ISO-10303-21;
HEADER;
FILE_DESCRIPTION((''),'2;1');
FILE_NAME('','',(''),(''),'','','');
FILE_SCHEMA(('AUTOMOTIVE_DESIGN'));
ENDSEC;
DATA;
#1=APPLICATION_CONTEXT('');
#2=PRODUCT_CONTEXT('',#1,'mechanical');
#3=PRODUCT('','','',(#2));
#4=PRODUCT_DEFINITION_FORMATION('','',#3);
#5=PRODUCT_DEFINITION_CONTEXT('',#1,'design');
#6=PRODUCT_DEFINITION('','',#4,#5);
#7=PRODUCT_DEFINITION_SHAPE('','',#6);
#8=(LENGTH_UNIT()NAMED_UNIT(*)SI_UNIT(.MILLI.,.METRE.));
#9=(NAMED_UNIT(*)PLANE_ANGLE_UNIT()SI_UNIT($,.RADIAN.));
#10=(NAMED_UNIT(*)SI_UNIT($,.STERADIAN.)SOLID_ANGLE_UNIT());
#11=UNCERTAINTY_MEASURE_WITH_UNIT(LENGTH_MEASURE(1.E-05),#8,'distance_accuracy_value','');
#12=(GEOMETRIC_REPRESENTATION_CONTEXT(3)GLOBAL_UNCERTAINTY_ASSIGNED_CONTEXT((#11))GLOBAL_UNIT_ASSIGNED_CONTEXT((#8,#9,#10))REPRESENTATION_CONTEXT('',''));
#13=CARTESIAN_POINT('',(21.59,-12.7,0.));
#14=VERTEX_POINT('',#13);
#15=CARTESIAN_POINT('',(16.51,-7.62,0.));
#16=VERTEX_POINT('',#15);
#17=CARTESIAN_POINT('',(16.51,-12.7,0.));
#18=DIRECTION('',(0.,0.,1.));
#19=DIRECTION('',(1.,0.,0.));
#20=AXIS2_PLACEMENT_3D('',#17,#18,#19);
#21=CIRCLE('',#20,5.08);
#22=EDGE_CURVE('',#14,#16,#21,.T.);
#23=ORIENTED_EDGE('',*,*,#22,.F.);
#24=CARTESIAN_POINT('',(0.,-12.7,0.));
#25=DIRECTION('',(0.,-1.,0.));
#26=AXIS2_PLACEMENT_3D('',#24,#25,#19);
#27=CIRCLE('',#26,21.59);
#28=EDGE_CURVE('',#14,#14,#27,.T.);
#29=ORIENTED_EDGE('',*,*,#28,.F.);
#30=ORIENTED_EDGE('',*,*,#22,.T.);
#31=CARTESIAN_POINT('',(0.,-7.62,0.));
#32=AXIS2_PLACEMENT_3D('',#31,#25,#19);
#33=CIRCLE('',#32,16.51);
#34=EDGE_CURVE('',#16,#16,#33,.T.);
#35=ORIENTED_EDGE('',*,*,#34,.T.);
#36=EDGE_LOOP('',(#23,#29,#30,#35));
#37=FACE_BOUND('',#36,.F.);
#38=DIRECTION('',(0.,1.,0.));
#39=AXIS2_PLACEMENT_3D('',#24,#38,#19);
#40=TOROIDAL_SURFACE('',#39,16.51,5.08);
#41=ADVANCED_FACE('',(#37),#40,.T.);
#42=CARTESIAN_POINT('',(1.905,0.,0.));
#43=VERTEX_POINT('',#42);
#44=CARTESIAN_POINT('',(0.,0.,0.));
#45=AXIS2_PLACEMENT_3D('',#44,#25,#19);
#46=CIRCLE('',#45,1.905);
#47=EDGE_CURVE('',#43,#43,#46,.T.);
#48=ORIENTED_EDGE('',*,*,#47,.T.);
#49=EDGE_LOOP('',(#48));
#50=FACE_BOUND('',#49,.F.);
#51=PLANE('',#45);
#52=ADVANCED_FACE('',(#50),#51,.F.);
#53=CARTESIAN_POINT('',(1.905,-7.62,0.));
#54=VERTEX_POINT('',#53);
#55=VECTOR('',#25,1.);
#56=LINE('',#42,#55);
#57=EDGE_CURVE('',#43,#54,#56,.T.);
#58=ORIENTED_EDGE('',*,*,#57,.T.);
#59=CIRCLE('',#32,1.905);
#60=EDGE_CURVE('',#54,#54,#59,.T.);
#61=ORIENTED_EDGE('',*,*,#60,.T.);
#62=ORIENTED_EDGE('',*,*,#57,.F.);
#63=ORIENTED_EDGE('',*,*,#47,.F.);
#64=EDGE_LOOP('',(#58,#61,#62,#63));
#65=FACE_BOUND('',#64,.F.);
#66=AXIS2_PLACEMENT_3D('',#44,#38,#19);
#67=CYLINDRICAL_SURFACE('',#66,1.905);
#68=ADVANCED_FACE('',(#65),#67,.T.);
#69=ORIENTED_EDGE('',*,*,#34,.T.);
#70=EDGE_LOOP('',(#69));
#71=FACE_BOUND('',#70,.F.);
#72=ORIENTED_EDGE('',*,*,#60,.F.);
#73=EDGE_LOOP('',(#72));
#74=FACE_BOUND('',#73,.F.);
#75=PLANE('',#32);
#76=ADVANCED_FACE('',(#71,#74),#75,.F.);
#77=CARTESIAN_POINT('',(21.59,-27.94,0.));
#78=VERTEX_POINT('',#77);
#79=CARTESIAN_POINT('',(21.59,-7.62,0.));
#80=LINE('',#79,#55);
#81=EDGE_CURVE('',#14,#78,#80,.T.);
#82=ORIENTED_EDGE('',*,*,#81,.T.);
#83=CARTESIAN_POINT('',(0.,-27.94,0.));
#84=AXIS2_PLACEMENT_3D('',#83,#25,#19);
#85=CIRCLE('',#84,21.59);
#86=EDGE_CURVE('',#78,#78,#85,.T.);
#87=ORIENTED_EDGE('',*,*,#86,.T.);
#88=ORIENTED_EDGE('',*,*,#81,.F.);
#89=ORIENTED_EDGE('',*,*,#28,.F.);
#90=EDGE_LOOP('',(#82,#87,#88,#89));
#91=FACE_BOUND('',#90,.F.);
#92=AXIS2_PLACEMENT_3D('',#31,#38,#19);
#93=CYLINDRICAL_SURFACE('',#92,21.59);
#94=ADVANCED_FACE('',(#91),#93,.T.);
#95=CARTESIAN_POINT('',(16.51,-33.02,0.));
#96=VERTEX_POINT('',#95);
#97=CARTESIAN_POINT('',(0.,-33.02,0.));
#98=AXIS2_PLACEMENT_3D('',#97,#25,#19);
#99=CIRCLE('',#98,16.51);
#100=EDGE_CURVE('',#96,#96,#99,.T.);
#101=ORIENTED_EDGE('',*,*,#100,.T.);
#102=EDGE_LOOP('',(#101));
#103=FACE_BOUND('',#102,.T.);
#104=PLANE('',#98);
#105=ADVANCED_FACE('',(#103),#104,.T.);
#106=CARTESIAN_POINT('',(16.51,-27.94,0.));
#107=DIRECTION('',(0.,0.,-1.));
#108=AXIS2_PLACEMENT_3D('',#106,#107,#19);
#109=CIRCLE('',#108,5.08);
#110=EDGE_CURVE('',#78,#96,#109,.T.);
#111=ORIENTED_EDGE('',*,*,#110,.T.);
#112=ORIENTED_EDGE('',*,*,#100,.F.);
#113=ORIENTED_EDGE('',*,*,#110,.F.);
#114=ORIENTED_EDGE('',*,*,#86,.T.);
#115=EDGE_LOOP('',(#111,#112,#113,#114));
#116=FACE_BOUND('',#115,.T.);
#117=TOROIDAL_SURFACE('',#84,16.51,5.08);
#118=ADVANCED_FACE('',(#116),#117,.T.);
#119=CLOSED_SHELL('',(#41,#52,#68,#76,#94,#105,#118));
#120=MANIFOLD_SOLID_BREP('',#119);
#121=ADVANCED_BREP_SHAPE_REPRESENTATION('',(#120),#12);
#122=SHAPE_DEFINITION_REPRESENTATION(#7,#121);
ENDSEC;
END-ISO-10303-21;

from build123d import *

# Parameters (mm, degrees)
F0_R     = 1.905
F1_DEPTH = 7.62
F2_R     = 21.59
F3_DEPTH = 25.4
F4_R     = 5.08


with BuildPart() as f1:
    # F0 (on Front) → F1 (new body)
    with BuildSketch(Plane.XZ):
        Circle(F0_R)
    extrude(amount=F1_DEPTH)

    # F2 (on face) → F3 (join)
    with BuildSketch(Plane.XZ.offset(7.62)):
        Circle(F2_R)
    extrude(amount=F3_DEPTH)

    # F4
    f4_edges = [f1.edges().sort_by_distance(p)[0] for p in [
        (-21.59, -33.02, 0),
        (-21.59, -7.62, 0),
    ]]
    fillet(f4_edges, radius=F4_R)


solid = f1.part
